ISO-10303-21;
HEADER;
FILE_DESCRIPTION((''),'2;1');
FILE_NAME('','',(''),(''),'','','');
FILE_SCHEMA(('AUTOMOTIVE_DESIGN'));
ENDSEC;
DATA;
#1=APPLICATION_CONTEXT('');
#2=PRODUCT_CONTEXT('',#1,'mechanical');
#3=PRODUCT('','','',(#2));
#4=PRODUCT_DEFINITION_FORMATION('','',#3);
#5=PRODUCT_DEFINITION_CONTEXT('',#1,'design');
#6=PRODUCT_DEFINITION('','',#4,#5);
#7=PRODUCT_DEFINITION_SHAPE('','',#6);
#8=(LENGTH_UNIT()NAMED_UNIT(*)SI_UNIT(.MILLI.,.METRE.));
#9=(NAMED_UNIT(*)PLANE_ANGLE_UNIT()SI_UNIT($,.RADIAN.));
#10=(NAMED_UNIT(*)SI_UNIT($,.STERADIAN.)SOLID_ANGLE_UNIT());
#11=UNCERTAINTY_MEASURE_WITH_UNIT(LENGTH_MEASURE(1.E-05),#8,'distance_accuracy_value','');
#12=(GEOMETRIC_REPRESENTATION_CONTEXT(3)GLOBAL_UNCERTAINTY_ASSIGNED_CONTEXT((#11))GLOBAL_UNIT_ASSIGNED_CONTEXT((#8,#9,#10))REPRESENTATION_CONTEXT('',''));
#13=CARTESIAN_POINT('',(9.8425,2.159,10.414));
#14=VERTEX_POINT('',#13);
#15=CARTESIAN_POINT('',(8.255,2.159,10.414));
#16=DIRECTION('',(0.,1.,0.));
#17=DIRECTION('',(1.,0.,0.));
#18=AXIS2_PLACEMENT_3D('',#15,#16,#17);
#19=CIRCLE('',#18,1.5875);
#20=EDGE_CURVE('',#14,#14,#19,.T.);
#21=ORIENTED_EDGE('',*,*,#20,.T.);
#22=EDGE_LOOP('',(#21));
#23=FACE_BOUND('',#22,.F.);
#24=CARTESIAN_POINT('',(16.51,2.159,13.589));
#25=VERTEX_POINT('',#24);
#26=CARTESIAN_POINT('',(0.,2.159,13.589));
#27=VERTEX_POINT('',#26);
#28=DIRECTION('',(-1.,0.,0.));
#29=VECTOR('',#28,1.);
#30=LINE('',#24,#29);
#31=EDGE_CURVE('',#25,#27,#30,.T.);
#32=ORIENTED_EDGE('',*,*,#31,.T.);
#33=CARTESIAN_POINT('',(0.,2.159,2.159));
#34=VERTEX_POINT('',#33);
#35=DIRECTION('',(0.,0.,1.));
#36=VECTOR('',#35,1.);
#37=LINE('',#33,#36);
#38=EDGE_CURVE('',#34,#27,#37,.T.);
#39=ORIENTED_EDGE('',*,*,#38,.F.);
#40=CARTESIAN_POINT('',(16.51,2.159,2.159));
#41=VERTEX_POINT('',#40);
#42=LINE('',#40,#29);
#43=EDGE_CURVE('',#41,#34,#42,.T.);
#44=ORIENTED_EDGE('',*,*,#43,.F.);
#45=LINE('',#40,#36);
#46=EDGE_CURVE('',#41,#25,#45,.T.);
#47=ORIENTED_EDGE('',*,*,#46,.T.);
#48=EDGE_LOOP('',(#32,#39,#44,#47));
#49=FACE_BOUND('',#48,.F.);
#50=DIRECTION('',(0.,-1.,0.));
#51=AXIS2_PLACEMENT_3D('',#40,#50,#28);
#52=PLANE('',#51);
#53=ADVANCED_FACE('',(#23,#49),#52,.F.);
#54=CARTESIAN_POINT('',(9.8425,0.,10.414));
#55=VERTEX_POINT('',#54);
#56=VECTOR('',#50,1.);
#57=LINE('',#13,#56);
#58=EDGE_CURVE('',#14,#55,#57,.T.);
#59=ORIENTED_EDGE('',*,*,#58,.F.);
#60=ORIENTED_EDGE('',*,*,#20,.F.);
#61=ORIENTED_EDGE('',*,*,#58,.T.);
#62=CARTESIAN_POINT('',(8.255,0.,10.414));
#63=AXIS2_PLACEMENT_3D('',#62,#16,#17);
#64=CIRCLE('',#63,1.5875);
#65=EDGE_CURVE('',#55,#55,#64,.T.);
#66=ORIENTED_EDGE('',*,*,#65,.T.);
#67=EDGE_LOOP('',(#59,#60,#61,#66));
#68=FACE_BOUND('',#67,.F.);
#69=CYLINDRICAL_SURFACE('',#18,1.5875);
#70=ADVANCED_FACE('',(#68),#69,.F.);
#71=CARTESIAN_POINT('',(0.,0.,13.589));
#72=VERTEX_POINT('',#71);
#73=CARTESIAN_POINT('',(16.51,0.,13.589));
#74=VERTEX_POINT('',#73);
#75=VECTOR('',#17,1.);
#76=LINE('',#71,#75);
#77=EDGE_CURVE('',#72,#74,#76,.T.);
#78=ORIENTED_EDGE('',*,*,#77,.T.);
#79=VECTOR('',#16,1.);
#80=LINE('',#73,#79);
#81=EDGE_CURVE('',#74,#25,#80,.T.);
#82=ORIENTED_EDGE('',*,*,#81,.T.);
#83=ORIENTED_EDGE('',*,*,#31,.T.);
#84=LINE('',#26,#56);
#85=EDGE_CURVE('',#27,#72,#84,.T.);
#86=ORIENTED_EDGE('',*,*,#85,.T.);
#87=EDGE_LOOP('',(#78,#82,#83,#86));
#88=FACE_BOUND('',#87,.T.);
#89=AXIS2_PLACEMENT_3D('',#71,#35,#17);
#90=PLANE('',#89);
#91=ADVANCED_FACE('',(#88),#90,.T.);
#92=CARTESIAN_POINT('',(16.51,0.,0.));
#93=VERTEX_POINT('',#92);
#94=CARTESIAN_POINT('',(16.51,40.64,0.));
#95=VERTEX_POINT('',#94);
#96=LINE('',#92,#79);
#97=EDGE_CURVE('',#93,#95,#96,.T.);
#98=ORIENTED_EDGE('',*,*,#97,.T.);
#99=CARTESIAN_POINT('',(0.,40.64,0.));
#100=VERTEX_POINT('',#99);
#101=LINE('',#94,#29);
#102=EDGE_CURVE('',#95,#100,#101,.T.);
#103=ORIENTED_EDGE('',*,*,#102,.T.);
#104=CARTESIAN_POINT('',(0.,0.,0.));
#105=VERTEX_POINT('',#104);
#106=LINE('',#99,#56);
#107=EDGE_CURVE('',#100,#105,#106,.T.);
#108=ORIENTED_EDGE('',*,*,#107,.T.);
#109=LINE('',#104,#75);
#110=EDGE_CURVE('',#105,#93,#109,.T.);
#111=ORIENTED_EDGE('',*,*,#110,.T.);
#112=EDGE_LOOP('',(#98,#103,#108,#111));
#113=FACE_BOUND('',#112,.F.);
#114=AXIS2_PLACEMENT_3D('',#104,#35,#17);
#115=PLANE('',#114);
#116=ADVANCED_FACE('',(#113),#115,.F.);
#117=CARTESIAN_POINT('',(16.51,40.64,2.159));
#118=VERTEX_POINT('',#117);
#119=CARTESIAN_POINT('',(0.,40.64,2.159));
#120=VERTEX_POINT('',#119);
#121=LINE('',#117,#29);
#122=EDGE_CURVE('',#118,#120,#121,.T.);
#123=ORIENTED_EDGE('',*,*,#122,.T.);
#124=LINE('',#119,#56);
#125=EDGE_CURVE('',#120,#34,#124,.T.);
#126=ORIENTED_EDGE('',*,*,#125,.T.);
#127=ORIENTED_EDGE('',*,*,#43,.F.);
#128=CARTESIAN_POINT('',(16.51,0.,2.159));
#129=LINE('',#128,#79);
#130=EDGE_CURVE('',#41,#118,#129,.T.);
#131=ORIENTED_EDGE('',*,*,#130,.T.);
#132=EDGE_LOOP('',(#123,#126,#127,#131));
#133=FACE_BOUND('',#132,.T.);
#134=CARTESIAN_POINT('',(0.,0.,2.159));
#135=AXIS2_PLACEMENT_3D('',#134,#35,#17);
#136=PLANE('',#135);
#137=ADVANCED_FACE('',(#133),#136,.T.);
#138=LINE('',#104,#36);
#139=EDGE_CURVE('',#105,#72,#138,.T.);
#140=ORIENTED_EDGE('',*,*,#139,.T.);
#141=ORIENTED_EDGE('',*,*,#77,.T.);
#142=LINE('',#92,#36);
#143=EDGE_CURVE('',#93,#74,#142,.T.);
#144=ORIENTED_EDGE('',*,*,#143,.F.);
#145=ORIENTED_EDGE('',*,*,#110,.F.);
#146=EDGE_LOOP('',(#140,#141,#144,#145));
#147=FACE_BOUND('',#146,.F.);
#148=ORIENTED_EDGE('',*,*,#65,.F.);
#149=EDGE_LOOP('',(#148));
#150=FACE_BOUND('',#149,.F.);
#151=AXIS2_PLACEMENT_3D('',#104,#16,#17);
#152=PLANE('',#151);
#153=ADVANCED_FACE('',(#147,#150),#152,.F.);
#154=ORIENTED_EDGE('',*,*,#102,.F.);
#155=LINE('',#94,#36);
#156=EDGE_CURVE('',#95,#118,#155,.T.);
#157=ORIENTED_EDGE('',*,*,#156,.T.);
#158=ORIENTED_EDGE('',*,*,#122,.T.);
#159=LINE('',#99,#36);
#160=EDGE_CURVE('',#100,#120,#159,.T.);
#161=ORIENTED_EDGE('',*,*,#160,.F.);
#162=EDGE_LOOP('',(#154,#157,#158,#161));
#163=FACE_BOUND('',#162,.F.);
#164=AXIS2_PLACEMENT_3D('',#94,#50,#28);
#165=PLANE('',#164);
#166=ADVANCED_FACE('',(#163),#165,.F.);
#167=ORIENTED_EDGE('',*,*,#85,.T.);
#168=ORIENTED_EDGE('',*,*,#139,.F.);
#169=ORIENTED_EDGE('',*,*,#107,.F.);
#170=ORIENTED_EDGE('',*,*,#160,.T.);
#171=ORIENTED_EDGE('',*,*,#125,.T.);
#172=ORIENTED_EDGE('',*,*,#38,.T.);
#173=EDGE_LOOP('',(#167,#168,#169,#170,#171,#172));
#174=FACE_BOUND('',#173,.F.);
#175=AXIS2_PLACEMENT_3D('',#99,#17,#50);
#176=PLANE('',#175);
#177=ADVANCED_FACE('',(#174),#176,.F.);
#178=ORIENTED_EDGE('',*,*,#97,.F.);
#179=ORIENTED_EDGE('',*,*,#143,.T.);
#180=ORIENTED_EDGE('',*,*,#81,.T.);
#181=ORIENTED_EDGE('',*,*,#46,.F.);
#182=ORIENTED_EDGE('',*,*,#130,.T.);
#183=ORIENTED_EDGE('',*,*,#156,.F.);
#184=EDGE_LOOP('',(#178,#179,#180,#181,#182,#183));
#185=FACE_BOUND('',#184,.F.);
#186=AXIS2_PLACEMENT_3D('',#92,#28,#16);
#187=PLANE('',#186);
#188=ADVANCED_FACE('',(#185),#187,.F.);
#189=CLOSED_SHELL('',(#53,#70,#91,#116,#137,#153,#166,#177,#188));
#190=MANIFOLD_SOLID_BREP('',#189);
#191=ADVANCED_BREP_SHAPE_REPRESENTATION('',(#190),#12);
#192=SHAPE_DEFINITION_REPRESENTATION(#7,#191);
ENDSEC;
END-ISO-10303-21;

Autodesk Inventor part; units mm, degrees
ref_plane "YZ Plane" through (0, 0, 0) normal (1, 0, 0) x (0, 1, 0)
ref_plane "XZ Plane" through (0, 0, 0) normal (0, 1, 0) x (-1, 0, 0)
ref_plane "XY Plane" through (0, 0, 0) normal (0, 0, 1) x (1, 0, 0)
sketch "Sketch1" plane through (0, 0, 0) normal (0, 0, 1) x (1, 0, 0)
  line L0 (0, 0) -> (16.51, 0)
  line L1 (16.51, 0) -> (16.51, 40.64)
  line L2 (16.51, 40.64) -> (0, 40.64)
  line L3 (0, 40.64) -> (0, 0)
  dimension "d0" = 40.64
  dimension "d1" = 16.51
extrude "Extrusion1" add sketch "Sketch1" along normal blind 2.159
sketch "Sketch2" plane through (0, 0, 2.159) normal (0, 0, 1) x (1, 0, 0)
  line L0 (0, 0) -> (16.51, 0) projected
  line L1 (16.51, 0) -> (16.51, 40.64) projected
  line L2 (0, 0) -> (16.51, 0)
  line L3 (16.51, 0) -> (16.51, 2.159)
  line L4 (16.51, 2.159) -> (0, 2.159)
  line L5 (0, 2.159) -> (0, 0)
  dimension "d4" = 2.159
extrude "Extrusion2" add sketch "Sketch2" along normal blind 11.43
sketch "Sketch3" plane through (0, 2.159, 2.159) normal (0, 1, 0) x (1, 0, 0)
  circle A0 centre (8.255, -8.255) radius 1.5875
  line L0 (16.51, -11.43) -> (0, -11.43) projected
  point P0 (0, 2.159)
  dimension "d8" = 3.175
  dimension "d12" = 3.175
extrude "Extrusion3" cut sketch "Sketch3" against normal blind 11.43
properties part number "L Bracket" material "Steel, Galvanized"
